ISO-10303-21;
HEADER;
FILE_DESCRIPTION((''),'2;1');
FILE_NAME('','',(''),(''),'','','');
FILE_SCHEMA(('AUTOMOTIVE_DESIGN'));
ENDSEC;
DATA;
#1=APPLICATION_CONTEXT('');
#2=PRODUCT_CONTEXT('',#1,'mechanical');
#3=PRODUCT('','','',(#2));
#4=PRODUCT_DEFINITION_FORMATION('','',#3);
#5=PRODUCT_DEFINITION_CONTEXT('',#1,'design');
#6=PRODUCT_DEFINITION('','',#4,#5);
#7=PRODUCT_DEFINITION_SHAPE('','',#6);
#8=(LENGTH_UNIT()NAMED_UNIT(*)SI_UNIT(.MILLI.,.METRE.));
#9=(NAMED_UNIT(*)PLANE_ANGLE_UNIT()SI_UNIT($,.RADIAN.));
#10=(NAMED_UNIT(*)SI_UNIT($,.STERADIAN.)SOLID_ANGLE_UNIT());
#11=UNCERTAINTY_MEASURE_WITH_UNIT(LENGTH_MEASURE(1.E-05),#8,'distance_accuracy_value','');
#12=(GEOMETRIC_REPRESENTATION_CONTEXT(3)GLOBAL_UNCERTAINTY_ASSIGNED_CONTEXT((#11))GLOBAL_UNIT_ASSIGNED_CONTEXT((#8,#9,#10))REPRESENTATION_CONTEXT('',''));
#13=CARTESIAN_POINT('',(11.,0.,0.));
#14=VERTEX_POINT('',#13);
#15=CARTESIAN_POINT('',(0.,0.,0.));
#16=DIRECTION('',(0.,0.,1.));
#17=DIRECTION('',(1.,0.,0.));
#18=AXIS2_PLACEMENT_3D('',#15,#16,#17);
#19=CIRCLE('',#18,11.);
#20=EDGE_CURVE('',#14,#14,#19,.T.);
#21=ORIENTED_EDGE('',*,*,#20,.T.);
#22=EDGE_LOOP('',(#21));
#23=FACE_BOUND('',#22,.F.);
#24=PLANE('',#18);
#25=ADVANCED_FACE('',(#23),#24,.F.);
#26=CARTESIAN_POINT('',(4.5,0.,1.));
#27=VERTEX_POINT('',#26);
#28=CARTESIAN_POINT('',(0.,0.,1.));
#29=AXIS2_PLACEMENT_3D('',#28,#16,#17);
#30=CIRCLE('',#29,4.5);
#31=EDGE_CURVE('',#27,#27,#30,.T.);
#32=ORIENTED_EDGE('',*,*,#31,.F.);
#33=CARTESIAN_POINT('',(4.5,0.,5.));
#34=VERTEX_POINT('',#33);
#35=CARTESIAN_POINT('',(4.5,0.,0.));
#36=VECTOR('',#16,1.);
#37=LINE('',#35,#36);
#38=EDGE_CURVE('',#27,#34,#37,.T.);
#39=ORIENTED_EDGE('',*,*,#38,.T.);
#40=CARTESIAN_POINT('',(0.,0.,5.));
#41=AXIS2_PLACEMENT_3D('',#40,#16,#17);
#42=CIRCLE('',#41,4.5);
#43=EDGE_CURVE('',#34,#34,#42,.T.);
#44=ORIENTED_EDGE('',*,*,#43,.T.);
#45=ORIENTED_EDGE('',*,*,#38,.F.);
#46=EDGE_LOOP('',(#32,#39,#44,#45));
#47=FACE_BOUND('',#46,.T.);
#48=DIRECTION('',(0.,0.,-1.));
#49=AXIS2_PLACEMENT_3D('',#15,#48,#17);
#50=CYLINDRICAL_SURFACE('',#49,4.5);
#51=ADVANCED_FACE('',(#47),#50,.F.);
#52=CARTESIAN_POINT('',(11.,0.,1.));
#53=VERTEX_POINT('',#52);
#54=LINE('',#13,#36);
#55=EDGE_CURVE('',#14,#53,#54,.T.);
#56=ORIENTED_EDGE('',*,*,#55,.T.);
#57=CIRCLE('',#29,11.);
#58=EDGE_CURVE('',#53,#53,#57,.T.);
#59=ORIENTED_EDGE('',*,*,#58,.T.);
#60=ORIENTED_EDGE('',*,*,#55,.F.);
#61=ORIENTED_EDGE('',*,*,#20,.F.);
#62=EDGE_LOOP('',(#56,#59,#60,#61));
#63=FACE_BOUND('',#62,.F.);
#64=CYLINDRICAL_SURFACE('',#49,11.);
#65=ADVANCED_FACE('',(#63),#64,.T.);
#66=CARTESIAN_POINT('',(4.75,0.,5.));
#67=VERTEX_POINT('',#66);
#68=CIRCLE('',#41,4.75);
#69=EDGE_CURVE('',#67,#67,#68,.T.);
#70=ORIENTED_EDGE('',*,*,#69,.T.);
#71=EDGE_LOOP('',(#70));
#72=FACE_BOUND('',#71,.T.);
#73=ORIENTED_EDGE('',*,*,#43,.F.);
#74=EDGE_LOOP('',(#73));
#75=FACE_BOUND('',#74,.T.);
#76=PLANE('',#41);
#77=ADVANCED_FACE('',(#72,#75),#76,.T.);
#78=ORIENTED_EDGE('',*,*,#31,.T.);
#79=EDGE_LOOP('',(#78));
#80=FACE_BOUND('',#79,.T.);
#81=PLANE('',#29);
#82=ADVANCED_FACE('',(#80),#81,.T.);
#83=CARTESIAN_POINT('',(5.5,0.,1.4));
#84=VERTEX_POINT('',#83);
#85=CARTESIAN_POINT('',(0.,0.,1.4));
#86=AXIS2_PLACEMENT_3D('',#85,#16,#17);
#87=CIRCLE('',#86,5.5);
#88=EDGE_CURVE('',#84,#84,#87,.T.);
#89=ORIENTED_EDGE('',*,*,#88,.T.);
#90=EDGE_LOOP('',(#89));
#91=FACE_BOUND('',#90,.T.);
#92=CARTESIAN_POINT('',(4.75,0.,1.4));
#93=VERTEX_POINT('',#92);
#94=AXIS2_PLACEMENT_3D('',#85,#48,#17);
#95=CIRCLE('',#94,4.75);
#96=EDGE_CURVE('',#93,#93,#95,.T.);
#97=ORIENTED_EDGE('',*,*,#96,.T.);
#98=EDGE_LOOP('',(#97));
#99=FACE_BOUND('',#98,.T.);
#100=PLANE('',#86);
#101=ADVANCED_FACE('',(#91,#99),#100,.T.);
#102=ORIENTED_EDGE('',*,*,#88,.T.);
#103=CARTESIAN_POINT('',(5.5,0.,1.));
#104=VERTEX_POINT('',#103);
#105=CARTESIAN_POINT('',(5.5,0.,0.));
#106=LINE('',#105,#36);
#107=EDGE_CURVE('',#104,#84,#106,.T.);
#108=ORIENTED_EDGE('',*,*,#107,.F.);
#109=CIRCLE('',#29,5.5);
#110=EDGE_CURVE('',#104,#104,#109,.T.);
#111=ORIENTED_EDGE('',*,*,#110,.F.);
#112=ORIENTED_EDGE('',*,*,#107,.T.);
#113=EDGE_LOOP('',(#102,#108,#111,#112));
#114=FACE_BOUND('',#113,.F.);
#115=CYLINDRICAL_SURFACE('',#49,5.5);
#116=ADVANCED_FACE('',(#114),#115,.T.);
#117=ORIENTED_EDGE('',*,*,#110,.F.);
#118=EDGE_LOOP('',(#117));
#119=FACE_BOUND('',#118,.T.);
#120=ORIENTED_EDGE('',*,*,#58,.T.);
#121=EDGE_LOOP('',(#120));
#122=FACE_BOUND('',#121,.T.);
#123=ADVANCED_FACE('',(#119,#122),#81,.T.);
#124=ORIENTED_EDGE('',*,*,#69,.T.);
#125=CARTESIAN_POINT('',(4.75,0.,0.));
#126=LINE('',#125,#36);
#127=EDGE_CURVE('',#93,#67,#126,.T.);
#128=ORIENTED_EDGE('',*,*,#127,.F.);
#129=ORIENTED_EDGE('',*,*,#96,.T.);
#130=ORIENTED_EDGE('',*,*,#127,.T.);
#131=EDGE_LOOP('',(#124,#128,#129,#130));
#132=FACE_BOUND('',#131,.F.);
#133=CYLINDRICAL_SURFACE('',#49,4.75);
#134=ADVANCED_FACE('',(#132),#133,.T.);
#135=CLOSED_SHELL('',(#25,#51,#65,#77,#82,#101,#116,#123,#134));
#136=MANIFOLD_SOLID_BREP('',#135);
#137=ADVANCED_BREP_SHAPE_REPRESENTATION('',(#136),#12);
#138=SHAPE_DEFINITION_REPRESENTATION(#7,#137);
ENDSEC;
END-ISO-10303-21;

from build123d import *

# Parameters (mm, degrees)
F0_R     = 11
F0_R_2   = 5.5
F1_DEPTH = 1
F0_R_3   = 4.75
F0_R_4   = 4.5
F2_DEPTH = 1.4
F3_DEPTH = 5
F4_DEPTH = 1


with BuildPart() as f1:
    # F0 (on Top) → F1 (new body)
    with BuildSketch(Plane.XY):
        Circle(F0_R)
        Circle(F0_R_2, mode=Mode.SUBTRACT)
    extrude(amount=F1_DEPTH)

    # F0 (on Top) → F2 (join)
    with BuildSketch(Plane.XY):
        Circle(F0_R_2)
        Circle(F0_R_3, mode=Mode.SUBTRACT)
        Circle(F0_R_3)
        Circle(F0_R_4, mode=Mode.SUBTRACT)
    extrude(amount=F2_DEPTH)

    # F0 (on Top) → F3 (join)
    with BuildSketch(Plane.XY):
        Circle(F0_R_3)
        Circle(F0_R_4, mode=Mode.SUBTRACT)
    extrude(amount=F3_DEPTH)

    # F0 (on Top) → F4 (join)
    with BuildSketch(Plane.XY):
        Circle(F0_R_4)
    extrude(amount=F4_DEPTH)


solid = f1.part
